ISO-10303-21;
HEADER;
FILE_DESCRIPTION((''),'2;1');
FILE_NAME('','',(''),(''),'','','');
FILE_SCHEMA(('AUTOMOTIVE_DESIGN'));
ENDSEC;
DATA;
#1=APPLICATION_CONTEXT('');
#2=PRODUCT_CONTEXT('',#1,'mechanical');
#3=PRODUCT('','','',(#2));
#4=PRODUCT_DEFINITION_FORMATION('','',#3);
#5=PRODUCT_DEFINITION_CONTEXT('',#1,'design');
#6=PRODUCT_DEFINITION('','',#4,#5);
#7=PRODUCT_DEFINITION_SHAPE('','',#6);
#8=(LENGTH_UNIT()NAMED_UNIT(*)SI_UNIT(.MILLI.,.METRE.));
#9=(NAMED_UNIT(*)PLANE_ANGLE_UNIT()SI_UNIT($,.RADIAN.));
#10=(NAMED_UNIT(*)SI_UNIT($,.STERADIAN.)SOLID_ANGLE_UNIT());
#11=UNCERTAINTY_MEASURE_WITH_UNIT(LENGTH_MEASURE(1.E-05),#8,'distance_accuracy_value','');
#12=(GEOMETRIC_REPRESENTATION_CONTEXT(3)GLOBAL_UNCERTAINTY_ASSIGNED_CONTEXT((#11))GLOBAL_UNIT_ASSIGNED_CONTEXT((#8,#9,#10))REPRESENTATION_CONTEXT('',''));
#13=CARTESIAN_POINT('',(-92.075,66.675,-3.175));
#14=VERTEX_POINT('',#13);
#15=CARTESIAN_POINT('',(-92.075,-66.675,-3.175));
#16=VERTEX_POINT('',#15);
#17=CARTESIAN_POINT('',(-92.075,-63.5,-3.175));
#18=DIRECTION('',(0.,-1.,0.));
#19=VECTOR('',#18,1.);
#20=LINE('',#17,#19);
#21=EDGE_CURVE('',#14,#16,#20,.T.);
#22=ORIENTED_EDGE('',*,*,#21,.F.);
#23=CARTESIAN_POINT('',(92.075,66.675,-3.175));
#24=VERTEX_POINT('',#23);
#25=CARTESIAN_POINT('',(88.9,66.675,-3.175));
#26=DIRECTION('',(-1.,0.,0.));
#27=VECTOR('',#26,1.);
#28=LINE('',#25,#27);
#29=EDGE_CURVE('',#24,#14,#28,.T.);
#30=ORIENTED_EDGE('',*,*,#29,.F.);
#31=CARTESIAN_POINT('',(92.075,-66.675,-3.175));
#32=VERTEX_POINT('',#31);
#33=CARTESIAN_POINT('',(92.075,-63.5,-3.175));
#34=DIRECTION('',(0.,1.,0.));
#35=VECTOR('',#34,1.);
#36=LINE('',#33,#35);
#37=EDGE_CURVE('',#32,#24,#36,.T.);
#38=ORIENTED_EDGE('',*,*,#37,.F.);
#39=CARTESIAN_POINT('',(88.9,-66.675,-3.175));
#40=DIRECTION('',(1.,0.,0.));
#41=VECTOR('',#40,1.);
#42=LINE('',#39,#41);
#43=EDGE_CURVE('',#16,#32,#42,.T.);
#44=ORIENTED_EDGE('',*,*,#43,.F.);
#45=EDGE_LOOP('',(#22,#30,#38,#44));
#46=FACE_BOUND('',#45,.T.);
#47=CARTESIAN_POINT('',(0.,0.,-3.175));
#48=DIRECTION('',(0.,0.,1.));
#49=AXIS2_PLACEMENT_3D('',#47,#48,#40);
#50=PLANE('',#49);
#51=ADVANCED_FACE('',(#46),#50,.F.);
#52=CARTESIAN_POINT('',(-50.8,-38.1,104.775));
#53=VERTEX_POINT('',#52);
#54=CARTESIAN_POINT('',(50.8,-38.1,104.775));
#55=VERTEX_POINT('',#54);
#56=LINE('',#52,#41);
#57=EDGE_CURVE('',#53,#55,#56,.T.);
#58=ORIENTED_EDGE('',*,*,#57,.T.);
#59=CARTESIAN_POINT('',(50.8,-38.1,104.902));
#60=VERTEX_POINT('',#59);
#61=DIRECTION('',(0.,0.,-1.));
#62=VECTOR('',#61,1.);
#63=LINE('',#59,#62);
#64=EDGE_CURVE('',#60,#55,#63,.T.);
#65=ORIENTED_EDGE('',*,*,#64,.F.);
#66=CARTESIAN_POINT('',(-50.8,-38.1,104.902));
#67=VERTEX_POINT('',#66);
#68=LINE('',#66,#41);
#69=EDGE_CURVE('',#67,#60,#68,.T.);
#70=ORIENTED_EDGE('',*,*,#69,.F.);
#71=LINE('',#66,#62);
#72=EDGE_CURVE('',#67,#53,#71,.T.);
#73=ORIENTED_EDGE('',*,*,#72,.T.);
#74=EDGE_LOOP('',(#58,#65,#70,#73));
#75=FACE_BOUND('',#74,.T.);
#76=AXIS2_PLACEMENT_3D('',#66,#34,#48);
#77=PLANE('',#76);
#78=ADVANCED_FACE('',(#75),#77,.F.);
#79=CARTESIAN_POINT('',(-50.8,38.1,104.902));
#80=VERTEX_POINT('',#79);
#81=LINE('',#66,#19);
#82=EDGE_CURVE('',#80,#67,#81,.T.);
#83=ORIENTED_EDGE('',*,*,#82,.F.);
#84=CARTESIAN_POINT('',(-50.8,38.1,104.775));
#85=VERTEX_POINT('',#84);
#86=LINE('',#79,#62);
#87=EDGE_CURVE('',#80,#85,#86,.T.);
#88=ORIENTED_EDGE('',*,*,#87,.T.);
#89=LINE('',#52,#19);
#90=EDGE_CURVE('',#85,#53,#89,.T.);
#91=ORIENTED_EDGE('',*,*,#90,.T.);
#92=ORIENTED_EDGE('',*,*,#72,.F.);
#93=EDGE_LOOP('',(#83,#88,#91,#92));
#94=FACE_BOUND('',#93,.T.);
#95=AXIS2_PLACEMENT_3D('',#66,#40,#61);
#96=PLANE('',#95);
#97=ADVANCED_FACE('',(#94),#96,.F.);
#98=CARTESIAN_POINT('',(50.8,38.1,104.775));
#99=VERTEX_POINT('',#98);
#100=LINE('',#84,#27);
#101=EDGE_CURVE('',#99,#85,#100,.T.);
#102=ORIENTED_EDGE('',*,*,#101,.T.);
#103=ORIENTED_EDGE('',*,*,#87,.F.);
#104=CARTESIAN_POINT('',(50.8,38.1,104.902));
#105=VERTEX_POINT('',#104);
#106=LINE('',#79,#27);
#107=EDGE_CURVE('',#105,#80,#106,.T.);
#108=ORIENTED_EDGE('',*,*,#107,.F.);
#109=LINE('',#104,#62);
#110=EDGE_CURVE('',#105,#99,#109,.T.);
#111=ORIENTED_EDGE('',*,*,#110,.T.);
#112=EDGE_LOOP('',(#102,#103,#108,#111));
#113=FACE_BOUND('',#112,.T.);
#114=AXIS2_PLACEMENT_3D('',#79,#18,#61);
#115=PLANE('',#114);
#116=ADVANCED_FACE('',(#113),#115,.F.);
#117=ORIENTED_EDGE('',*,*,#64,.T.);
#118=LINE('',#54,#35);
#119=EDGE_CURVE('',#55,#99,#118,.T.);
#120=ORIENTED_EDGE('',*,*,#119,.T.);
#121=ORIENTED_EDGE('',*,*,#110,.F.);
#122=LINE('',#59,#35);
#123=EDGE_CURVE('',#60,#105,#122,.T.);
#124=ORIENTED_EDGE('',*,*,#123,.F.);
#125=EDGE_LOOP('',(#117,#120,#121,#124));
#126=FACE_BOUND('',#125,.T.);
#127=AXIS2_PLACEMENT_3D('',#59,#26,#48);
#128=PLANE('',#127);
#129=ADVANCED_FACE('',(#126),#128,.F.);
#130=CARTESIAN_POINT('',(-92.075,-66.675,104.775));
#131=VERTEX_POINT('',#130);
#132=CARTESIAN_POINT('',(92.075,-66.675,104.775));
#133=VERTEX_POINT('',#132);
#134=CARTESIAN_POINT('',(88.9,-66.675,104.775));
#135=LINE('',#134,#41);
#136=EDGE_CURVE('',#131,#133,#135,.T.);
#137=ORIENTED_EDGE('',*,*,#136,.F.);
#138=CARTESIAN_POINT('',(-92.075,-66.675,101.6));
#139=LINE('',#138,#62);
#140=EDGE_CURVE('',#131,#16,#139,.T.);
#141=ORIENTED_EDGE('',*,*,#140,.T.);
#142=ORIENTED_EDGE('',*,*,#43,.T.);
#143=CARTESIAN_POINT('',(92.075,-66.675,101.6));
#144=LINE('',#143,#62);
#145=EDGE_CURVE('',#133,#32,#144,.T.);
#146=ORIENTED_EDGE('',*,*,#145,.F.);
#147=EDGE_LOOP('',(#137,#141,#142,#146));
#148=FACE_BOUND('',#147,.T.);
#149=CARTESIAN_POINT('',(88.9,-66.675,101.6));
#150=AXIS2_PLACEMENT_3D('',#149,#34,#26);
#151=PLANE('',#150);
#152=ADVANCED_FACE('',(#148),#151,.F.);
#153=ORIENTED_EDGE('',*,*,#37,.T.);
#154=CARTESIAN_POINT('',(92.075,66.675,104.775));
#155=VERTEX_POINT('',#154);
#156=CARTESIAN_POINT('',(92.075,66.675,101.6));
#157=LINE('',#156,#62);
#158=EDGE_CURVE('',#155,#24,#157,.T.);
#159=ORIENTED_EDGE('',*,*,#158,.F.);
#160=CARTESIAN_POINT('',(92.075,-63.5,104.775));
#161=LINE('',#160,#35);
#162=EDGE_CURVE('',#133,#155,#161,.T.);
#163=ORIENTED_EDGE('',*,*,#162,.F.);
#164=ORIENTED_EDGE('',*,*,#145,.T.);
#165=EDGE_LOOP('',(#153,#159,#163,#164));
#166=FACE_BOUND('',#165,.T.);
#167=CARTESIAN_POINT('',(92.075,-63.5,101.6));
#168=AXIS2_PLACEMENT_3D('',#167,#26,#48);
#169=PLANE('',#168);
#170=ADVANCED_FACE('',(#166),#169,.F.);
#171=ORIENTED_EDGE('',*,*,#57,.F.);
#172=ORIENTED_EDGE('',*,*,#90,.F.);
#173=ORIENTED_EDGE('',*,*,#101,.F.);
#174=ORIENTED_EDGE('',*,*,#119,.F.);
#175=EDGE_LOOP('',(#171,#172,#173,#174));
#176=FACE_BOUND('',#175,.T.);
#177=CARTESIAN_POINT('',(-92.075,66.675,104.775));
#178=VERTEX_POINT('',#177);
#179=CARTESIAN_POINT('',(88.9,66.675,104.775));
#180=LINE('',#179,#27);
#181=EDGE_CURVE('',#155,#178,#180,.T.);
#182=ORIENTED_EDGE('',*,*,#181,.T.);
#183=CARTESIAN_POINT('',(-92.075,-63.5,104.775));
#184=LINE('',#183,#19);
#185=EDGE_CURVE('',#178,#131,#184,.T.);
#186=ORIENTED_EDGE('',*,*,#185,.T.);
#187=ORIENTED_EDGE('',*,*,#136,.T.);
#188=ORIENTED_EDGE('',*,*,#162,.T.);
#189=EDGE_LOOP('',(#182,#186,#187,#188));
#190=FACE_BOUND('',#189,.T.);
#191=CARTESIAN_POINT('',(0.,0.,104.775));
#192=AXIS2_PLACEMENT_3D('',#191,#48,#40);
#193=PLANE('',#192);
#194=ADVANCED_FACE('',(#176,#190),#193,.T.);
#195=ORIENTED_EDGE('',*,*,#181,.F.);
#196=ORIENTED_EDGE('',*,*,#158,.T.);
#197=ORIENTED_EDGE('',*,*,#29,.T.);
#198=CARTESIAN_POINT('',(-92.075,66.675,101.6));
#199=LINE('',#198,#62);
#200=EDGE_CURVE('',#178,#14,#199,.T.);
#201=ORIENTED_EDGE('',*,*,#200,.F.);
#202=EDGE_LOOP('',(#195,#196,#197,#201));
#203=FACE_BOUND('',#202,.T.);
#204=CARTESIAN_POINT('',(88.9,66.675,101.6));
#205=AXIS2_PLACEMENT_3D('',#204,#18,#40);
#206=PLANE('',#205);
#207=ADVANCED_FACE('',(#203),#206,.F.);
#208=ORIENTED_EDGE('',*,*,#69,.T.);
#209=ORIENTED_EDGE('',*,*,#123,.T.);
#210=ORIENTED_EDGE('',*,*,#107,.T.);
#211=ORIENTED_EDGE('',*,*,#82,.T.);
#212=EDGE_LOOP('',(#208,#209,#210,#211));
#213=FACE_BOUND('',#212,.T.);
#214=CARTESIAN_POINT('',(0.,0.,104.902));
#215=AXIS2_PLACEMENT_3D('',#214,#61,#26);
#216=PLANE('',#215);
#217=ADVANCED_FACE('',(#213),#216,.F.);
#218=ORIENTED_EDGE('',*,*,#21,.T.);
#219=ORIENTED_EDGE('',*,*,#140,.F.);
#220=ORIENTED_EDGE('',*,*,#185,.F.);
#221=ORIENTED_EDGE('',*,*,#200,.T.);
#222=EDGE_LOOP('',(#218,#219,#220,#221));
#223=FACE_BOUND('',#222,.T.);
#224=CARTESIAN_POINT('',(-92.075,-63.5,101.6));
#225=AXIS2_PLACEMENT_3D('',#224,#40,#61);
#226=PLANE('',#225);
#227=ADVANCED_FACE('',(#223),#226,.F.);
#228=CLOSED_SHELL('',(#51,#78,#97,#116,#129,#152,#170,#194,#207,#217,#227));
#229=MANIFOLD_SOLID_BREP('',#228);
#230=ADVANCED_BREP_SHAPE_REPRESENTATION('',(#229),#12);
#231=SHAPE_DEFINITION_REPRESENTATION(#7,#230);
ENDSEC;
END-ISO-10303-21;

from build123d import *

# Parameters (mm, degrees)
SKETCH1_W           = 177.8
SKETCH1_H           = 127
BOSS_EXTRUDE1_DEPTH = 101.6
MOVE_FACE1_BY       = 3.175
MOVE_FACE1_2_BY     = 3.175
MOVE_FACE1_3_BY     = 3.175
MOVE_FACE1_4_BY     = 3.175
MOVE_FACE1_5_BY     = 3.175
MOVE_FACE1_6_BY     = 3.175
SKETCH2_W           = 101.6
SKETCH2_H           = 76.2
BOSS_EXTRUDE2_DEPTH = 0.127


with BuildPart() as part:
    # Sketch1 → Boss-Extrude1 (new body)
    with BuildSketch(Plane.XY):
        Rectangle(SKETCH1_W, SKETCH1_H)
    extrude(amount=BOSS_EXTRUDE1_DEPTH)

    # Move Face1: a face moved outward by 3.175
    extrude(part.faces().sort_by_distance((0, -63.5, 50.8))[0], amount=MOVE_FACE1_BY, dir=(0, -1, 0))

    # Move Face1 2: a face moved outward by 3.175
    extrude(part.faces().sort_by_distance((0, 0, 0))[0], amount=MOVE_FACE1_2_BY, dir=(0, 0, -1))

    # Move Face1 3: a face moved outward by 3.175
    extrude(part.faces().sort_by_distance((-88.9, 0, 50.8))[0], amount=MOVE_FACE1_3_BY, dir=(-1, 0, 0))

    # Move Face1 4: a face moved outward by 3.175
    extrude(part.faces().sort_by_distance((88.9, 0, 50.8))[0], amount=MOVE_FACE1_4_BY, dir=(1, 0, 0))

    # Move Face1 5: a face moved outward by 3.175
    extrude(part.faces().sort_by_distance((0, 63.5, 50.8))[0], amount=MOVE_FACE1_5_BY, dir=(0, 1, 0))

    # Move Face1 6: a face moved outward by 3.175
    extrude(part.faces().sort_by_distance((0, 0, 101.6))[0], amount=MOVE_FACE1_6_BY, dir=(0, 0, 1))

    # Sketch2 → Boss-Extrude2 (add)
    with BuildSketch(Plane.XY.offset(104.775)):
        Rectangle(SKETCH2_W, SKETCH2_H)
    extrude(amount=BOSS_EXTRUDE2_DEPTH)


solid = part.part
